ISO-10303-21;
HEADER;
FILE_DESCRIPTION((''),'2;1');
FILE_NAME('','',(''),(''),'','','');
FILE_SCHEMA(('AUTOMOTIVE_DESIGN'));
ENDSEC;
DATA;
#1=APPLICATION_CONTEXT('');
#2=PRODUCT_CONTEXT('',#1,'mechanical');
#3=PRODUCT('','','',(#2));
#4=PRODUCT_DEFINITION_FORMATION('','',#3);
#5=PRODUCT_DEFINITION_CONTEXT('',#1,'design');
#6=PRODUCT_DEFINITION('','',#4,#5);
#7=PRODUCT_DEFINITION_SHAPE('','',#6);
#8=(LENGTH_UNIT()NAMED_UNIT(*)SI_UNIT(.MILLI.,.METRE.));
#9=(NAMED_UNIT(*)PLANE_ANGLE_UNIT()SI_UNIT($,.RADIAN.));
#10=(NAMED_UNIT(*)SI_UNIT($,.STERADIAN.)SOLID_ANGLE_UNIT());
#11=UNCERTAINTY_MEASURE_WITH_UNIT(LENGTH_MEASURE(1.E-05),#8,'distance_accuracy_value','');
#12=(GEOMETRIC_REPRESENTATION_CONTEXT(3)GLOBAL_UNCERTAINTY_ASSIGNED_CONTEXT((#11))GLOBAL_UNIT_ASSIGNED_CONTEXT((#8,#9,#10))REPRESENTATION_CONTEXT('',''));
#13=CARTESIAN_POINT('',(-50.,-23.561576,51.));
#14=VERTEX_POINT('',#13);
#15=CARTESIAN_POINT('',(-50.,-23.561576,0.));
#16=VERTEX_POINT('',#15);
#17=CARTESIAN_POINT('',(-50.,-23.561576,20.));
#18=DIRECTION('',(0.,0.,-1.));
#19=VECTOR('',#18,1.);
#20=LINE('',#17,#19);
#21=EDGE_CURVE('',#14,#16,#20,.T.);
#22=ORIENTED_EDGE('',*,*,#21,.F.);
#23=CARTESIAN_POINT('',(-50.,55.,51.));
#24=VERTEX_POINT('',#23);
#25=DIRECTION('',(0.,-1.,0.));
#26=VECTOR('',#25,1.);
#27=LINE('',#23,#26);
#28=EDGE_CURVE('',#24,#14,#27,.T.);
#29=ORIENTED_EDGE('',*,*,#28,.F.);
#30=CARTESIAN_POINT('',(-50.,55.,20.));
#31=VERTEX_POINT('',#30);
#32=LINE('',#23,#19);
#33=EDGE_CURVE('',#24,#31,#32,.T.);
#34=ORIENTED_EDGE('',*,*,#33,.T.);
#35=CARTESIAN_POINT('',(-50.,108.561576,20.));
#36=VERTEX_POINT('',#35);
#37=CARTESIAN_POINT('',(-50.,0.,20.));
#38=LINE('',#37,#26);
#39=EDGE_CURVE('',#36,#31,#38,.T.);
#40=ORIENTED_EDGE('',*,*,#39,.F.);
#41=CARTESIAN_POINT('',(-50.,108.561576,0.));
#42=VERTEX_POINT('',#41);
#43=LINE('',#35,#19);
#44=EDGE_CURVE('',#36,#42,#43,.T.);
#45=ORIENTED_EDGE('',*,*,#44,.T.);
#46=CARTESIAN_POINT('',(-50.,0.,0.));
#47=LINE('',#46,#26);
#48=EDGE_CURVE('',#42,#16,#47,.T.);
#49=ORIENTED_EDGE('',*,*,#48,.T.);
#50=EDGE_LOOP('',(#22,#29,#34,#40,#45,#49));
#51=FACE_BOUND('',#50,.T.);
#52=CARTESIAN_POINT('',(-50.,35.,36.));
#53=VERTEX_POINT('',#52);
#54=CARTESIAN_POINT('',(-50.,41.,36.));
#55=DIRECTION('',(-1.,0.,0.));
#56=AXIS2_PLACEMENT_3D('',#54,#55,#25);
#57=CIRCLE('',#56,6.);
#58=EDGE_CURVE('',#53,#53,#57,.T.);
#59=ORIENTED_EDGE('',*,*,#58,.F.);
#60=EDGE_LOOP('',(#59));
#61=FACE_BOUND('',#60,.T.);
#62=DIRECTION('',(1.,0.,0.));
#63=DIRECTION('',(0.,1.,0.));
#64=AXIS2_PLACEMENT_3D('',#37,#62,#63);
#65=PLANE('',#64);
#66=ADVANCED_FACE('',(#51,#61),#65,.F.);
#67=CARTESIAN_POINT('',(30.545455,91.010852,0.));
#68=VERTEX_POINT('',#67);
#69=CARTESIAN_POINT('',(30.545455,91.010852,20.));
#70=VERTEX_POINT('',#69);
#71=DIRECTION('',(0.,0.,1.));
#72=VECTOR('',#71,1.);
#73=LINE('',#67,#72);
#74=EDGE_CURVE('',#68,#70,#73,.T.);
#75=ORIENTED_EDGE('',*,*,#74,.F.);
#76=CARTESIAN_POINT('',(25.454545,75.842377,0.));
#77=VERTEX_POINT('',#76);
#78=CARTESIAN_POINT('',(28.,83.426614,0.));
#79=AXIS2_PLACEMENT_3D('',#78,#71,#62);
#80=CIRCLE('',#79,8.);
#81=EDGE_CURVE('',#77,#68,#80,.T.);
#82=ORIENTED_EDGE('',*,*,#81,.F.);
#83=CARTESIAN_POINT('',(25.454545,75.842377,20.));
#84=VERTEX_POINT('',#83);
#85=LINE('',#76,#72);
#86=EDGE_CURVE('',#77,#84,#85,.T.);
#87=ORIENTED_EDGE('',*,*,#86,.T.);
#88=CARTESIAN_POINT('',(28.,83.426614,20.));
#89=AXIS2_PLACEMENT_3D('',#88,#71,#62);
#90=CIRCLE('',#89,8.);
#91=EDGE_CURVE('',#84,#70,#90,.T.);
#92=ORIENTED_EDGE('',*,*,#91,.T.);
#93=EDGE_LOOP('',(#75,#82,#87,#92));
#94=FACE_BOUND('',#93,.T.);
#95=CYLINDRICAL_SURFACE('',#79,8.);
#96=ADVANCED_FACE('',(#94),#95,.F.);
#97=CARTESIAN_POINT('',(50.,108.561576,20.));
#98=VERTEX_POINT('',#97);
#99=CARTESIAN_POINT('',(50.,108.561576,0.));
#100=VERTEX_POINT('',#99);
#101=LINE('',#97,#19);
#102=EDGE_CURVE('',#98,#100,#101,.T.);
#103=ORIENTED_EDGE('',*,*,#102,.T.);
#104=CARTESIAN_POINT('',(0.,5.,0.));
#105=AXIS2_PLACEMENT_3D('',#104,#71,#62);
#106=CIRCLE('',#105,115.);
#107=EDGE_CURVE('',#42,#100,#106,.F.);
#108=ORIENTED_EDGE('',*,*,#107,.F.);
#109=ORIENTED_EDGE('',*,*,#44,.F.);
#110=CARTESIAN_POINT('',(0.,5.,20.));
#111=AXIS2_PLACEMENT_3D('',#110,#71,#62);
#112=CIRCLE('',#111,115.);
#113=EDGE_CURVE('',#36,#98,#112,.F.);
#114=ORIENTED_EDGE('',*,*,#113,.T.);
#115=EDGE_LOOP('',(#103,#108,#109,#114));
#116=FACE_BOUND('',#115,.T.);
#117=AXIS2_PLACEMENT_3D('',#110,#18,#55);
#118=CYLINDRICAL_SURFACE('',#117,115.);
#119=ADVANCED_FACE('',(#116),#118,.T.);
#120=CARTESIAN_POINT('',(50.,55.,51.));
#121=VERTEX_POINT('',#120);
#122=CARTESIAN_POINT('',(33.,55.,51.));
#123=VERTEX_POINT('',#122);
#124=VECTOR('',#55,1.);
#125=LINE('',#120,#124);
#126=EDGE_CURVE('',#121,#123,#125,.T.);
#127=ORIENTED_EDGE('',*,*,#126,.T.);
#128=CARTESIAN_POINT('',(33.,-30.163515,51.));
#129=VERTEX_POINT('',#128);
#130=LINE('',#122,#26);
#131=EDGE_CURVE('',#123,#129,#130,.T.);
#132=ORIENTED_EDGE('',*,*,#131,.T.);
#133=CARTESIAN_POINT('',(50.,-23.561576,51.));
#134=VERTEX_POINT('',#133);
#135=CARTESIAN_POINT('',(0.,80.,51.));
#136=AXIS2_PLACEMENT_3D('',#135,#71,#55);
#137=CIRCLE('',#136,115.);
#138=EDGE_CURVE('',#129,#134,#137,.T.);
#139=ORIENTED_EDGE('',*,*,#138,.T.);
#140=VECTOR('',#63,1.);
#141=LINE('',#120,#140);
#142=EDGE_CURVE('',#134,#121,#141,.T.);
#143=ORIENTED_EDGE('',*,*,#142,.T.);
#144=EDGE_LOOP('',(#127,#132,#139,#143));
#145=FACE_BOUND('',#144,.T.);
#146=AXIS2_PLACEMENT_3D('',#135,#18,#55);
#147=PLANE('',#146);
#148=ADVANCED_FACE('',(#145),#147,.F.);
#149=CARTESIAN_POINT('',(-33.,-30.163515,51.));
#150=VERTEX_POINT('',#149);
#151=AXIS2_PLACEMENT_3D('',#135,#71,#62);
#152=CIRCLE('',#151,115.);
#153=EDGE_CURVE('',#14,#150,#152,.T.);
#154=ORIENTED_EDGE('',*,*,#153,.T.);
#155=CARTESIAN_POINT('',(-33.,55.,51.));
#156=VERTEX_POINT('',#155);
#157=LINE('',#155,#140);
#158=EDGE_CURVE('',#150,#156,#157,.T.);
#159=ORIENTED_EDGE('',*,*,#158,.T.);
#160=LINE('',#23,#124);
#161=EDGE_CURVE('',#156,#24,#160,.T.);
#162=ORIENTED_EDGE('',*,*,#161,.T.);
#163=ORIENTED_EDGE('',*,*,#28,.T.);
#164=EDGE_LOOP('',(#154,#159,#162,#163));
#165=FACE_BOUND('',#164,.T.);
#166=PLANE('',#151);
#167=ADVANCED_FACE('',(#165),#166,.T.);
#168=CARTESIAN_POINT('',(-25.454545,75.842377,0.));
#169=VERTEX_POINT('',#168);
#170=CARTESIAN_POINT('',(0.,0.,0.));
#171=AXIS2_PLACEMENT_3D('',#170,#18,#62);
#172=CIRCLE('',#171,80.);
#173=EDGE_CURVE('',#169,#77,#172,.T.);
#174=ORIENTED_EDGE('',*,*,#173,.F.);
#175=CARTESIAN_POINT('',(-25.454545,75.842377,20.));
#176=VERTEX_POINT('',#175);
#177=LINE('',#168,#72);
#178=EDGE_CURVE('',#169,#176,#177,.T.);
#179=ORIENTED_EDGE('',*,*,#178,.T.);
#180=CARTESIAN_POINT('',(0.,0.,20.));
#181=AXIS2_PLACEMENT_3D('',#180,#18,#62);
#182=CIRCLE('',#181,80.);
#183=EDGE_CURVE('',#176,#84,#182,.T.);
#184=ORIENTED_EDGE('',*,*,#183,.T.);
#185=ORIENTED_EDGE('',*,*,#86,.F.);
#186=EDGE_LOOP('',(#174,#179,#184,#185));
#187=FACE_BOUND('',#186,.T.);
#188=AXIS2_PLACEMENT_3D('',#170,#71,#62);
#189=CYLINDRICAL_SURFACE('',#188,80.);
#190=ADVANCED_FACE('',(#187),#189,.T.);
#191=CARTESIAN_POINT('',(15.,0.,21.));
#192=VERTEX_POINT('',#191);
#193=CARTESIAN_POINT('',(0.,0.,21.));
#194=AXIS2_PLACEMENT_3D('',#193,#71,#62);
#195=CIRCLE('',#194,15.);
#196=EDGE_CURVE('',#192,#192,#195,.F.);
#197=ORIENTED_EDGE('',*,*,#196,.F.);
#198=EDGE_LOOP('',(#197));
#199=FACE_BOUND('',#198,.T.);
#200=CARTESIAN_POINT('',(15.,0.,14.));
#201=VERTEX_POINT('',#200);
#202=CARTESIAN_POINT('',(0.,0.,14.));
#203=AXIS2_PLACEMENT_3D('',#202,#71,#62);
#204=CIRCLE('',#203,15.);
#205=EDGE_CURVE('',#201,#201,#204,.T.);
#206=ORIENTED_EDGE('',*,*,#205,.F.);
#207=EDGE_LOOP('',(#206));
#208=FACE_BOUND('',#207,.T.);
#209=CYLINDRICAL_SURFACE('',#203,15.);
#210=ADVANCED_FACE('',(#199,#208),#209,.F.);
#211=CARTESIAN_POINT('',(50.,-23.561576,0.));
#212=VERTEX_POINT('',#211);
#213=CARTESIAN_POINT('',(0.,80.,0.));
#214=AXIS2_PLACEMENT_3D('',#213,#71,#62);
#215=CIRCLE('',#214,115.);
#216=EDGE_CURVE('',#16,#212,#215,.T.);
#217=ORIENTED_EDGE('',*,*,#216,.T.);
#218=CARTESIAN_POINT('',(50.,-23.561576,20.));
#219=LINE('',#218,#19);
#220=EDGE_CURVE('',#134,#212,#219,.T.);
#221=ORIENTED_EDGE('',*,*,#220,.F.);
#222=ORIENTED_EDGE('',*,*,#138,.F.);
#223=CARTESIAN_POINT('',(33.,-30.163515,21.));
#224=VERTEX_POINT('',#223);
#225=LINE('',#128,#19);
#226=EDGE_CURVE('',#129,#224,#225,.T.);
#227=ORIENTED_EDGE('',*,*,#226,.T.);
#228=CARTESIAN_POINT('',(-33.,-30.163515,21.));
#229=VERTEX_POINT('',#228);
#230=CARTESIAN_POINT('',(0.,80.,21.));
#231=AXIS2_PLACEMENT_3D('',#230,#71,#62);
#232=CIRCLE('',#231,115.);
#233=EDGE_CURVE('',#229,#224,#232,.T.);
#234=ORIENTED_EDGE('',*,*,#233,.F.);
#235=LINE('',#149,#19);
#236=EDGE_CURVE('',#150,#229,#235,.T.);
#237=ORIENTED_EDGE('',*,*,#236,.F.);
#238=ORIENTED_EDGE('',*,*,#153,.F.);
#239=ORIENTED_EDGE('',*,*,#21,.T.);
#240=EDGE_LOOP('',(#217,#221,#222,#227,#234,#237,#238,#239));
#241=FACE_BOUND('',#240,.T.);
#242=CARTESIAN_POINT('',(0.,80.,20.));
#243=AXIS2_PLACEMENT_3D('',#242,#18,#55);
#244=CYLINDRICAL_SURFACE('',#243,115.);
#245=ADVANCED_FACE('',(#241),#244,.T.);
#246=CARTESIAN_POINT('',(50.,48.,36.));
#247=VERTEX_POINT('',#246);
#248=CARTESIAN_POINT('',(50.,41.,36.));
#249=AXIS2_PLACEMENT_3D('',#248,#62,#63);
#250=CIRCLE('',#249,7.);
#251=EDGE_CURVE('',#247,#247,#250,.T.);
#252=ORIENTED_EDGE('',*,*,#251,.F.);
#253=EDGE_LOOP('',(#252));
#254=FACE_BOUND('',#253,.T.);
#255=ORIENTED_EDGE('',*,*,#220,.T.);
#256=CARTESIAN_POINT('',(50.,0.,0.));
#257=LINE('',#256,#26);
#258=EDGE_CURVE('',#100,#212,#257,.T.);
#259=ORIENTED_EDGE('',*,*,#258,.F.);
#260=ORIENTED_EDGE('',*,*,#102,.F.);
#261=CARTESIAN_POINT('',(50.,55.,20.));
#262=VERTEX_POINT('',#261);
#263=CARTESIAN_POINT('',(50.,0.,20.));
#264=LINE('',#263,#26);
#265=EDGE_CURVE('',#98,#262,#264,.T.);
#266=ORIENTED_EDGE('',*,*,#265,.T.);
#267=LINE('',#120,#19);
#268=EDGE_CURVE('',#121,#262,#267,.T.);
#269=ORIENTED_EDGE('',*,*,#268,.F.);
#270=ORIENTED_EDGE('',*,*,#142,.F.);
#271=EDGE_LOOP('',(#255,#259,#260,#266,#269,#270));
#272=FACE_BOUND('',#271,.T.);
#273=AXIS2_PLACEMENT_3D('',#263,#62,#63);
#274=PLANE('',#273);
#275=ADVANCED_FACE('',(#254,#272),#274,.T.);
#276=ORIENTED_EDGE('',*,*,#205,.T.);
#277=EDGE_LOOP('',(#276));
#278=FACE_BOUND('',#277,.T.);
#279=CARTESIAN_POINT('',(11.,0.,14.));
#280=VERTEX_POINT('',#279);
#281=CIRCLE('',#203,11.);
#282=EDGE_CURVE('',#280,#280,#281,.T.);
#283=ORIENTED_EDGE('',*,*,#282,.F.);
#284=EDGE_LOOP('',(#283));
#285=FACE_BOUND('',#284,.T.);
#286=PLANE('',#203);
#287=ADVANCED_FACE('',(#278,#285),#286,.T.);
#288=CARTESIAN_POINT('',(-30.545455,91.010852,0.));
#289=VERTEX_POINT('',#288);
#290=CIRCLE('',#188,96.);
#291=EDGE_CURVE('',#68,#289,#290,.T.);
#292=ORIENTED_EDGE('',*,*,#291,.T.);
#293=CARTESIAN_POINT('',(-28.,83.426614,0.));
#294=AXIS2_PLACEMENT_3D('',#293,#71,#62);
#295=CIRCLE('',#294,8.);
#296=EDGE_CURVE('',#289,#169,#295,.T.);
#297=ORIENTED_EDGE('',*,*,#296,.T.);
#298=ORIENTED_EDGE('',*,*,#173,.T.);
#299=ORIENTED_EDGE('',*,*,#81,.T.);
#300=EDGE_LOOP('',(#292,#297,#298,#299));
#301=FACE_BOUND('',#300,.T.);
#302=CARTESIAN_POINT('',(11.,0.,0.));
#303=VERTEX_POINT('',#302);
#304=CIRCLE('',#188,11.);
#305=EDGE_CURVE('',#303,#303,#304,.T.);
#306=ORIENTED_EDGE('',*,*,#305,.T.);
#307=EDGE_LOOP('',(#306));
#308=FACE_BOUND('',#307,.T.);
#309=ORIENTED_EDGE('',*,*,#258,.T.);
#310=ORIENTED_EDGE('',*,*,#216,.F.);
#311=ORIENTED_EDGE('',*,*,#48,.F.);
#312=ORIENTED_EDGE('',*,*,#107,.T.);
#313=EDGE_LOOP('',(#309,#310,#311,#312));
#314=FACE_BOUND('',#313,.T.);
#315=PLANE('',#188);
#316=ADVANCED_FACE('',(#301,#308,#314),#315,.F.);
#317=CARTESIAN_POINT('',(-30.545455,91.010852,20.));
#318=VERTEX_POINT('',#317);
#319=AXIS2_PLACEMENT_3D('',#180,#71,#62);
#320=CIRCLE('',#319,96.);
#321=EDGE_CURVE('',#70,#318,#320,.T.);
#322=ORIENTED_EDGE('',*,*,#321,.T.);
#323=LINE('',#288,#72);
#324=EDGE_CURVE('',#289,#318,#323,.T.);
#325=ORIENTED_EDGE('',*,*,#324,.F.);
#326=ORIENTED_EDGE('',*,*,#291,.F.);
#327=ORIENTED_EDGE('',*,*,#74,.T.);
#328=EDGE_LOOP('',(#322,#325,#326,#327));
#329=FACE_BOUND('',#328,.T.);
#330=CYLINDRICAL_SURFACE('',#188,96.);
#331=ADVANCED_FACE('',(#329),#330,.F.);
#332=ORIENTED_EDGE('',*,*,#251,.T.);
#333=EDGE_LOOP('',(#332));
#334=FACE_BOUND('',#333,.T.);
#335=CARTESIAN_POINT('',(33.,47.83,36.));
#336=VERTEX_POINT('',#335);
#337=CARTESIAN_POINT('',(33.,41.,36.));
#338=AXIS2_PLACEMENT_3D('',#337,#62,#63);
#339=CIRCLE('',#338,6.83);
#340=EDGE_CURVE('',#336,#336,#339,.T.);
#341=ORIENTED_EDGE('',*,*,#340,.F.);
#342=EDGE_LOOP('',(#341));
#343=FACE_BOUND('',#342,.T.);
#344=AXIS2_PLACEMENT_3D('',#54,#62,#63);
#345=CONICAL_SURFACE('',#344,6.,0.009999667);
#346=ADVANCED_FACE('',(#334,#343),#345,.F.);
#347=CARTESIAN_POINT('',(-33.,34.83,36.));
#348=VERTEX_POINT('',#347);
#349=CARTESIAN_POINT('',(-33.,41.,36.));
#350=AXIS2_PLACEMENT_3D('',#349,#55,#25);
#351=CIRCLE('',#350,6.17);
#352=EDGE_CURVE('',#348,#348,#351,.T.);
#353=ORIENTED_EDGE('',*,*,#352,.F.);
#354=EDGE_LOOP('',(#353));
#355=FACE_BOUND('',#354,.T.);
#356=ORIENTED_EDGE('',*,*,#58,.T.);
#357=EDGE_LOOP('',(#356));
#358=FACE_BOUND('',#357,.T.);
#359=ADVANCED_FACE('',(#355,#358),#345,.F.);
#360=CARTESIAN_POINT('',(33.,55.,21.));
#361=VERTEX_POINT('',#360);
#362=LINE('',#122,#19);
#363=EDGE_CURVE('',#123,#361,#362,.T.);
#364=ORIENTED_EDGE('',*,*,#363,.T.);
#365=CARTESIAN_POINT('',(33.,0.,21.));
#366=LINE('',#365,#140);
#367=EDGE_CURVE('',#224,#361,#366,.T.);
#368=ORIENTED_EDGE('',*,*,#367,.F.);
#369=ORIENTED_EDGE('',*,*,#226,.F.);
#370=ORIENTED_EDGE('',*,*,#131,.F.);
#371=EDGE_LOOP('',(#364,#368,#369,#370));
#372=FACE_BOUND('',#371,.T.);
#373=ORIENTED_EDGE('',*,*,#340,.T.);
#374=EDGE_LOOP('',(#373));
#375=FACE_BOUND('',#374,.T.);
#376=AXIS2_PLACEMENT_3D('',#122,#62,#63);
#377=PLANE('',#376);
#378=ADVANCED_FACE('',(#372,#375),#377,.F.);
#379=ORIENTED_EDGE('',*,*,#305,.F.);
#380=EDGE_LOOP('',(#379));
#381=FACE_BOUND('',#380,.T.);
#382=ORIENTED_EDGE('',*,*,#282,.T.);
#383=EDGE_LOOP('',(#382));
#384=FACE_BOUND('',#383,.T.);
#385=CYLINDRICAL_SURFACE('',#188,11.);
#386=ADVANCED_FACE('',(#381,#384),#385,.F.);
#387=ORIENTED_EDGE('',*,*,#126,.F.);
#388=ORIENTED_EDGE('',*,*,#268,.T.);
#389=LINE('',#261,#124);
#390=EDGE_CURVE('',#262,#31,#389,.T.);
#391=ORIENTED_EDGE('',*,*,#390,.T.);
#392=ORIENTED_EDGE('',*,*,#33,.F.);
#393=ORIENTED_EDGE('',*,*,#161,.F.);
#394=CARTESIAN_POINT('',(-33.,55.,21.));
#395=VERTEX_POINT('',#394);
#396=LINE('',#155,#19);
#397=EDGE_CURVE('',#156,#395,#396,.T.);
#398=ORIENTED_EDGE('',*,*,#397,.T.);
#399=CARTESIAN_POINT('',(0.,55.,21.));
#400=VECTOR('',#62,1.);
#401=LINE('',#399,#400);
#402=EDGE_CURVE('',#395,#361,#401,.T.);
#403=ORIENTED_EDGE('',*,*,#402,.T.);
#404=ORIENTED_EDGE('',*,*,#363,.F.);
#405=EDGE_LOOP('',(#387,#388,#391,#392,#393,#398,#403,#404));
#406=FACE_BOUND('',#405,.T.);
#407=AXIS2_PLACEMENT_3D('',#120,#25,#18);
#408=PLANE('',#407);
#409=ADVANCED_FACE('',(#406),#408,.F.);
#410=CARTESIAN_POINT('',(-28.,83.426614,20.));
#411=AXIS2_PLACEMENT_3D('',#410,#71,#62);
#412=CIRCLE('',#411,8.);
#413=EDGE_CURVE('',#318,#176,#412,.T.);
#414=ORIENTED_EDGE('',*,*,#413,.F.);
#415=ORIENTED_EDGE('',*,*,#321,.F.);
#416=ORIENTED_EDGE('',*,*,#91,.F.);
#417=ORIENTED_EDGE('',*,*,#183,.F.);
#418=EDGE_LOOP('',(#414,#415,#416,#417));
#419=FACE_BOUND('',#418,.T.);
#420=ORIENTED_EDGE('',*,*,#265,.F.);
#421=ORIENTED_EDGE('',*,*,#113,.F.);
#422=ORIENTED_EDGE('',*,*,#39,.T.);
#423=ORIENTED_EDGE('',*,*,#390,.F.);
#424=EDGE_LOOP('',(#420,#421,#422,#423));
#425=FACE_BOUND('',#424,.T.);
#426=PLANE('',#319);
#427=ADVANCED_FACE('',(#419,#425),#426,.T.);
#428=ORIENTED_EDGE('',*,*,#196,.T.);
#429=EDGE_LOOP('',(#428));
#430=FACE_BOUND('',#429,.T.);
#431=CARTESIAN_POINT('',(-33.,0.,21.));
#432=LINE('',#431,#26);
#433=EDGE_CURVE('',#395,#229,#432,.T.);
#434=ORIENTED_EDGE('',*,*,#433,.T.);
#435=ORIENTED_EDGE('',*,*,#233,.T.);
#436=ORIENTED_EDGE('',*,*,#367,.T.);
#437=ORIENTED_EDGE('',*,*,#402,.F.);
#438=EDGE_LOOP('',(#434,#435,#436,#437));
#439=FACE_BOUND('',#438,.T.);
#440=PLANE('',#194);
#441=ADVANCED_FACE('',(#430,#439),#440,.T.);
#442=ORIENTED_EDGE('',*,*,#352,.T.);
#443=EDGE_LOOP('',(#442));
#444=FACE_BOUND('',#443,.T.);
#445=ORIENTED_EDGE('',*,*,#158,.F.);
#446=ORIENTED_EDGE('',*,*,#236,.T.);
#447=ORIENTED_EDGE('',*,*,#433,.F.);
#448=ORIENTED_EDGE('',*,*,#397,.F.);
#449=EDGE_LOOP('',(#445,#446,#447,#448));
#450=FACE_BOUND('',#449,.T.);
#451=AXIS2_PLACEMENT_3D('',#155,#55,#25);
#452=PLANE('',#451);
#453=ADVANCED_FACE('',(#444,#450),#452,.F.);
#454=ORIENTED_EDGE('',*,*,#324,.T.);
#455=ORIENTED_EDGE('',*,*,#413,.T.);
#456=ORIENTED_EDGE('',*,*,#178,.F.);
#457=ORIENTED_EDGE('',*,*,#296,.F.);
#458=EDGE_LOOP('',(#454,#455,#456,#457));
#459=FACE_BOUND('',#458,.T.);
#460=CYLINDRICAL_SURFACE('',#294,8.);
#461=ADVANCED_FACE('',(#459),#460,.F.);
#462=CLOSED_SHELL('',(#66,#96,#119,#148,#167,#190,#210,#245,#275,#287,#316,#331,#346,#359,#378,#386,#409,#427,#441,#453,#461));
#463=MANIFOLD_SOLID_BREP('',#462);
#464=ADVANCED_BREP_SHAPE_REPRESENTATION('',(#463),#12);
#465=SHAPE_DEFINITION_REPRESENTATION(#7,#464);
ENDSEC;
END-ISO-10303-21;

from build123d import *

# Parameters (mm, degrees)
BOSS_EXTRUDE1_DEPTH = 20
BOSS_EXTRUDE2_DEPTH = 31
SKETCH8_R           = 15
SKETCH8_R_2         = 11
CUT_EXTRUDE4_DEPTH  = 6
SKETCH8_2_R         = 11
CUT_EXTRUDE5_DEPTH  = 134.645052284
SKETCH10_R          = 6
SKETCH9_R           = 7
CUT_EXTRUDE6_DEPTH  = 134.645052321
SKETCH12_R          = 15
BOSS_EXTRUDE3_DEPTH = 1


with BuildPart() as part:
    # Sketch1 → Boss-Extrude1 (new body)
    with BuildSketch(Plane.XY):
        with BuildLine():
            ThreePointArc((50, 108.561575886), (0, 120), (-50, 108.561575886))
            Line((-50, 108.561575886), (-50, -23.561575886))
            ThreePointArc((-50, -23.561575886), (0, -35), (50, -23.561575886))
            Line((50, -23.561575886), (50, 108.561575886))
        make_face()
    extrude(amount=BOSS_EXTRUDE1_DEPTH)

    # Sketch2 → Boss-Extrude2 (add)
    with BuildSketch(Plane.XY.offset(20)):
        with BuildLine():
            Line((-50, 55), (-50, -23.561575886))
            ThreePointArc((-50, -23.561575886), (-41.631074926, -27.200063435), (-33, -30.163514831))
            Line((-33, -30.163514831), (-33, 55))
            Line((-33, 55), (-50, 55))
        make_face()
        with BuildLine():
            Line((33, 55), (33, -30.163514831))
            ThreePointArc((33, -30.163514831), (41.631074926, -27.200063435), (50, -23.561575886))
            Line((50, -23.561575886), (50, 55))
            Line((50, 55), (33, 55))
        make_face()
    extrude(amount=BOSS_EXTRUDE2_DEPTH)

    # Sketch8 → Cut-Extrude4 (cut)
    with BuildSketch(Plane.XY.offset(20)):
        Circle(SKETCH8_R)
        Circle(SKETCH8_R_2, mode=Mode.SUBTRACT)
    extrude(amount=-CUT_EXTRUDE4_DEPTH, mode=Mode.SUBTRACT)

    # Sketch8<2> → Cut-Extrude5 (cut, through all)
    with BuildSketch(Plane.XY.offset(20)):
        Circle(SKETCH8_2_R)
    extrude(amount=-CUT_EXTRUDE5_DEPTH, mode=Mode.SUBTRACT)

    # Sketch10 → Cut-Loft1 section 0
    with BuildSketch(Plane.ZY.offset(50)):
        with Locations((36, 41)):
            Circle(SKETCH10_R)
    # Sketch9 → Cut-Loft1 section 1
    with BuildSketch(Plane(origin=(50, 0, 0), x_dir=(0, 0, -1), z_dir=(1, 0, 0))):
        with Locations((-36, 41)):
            Circle(SKETCH9_R)
    loft(mode=Mode.SUBTRACT)

    # Sketch11 → Cut-Extrude6 (cut, through all)
    with BuildSketch(Plane.XY.offset(20)):
        with BuildLine():
            ThreePointArc((30.545454545, 91.010852136), (0, 96), (-30.545454545, 91.010852136))
            ThreePointArc((-30.545454545, 91.010852136), (-35.584237678, 80.881159913), (-25.454545455, 75.84237678))
            ThreePointArc((-25.454545455, 75.84237678), (0, 80), (25.454545455, 75.84237678))
            ThreePointArc((25.454545455, 75.84237678), (35.584237678, 80.881159913), (30.545454545, 91.010852136))
        make_face()
    extrude(amount=-CUT_EXTRUDE6_DEPTH, mode=Mode.SUBTRACT)

    # Sketch12 → Boss-Extrude3 (add)
    with BuildSketch(Plane.XY.offset(20)):
        with BuildLine():
            Line((-33, 55), (-33, -30.163514831))
            ThreePointArc((-33, -30.163514831), (0, -35), (33, -30.163514831))
            Line((33, -30.163514831), (33, 55))
            Line((33, 55), (-33, 55))
        make_face()
        Circle(SKETCH12_R, mode=Mode.SUBTRACT)
    extrude(amount=BOSS_EXTRUDE3_DEPTH)


solid = part.part
